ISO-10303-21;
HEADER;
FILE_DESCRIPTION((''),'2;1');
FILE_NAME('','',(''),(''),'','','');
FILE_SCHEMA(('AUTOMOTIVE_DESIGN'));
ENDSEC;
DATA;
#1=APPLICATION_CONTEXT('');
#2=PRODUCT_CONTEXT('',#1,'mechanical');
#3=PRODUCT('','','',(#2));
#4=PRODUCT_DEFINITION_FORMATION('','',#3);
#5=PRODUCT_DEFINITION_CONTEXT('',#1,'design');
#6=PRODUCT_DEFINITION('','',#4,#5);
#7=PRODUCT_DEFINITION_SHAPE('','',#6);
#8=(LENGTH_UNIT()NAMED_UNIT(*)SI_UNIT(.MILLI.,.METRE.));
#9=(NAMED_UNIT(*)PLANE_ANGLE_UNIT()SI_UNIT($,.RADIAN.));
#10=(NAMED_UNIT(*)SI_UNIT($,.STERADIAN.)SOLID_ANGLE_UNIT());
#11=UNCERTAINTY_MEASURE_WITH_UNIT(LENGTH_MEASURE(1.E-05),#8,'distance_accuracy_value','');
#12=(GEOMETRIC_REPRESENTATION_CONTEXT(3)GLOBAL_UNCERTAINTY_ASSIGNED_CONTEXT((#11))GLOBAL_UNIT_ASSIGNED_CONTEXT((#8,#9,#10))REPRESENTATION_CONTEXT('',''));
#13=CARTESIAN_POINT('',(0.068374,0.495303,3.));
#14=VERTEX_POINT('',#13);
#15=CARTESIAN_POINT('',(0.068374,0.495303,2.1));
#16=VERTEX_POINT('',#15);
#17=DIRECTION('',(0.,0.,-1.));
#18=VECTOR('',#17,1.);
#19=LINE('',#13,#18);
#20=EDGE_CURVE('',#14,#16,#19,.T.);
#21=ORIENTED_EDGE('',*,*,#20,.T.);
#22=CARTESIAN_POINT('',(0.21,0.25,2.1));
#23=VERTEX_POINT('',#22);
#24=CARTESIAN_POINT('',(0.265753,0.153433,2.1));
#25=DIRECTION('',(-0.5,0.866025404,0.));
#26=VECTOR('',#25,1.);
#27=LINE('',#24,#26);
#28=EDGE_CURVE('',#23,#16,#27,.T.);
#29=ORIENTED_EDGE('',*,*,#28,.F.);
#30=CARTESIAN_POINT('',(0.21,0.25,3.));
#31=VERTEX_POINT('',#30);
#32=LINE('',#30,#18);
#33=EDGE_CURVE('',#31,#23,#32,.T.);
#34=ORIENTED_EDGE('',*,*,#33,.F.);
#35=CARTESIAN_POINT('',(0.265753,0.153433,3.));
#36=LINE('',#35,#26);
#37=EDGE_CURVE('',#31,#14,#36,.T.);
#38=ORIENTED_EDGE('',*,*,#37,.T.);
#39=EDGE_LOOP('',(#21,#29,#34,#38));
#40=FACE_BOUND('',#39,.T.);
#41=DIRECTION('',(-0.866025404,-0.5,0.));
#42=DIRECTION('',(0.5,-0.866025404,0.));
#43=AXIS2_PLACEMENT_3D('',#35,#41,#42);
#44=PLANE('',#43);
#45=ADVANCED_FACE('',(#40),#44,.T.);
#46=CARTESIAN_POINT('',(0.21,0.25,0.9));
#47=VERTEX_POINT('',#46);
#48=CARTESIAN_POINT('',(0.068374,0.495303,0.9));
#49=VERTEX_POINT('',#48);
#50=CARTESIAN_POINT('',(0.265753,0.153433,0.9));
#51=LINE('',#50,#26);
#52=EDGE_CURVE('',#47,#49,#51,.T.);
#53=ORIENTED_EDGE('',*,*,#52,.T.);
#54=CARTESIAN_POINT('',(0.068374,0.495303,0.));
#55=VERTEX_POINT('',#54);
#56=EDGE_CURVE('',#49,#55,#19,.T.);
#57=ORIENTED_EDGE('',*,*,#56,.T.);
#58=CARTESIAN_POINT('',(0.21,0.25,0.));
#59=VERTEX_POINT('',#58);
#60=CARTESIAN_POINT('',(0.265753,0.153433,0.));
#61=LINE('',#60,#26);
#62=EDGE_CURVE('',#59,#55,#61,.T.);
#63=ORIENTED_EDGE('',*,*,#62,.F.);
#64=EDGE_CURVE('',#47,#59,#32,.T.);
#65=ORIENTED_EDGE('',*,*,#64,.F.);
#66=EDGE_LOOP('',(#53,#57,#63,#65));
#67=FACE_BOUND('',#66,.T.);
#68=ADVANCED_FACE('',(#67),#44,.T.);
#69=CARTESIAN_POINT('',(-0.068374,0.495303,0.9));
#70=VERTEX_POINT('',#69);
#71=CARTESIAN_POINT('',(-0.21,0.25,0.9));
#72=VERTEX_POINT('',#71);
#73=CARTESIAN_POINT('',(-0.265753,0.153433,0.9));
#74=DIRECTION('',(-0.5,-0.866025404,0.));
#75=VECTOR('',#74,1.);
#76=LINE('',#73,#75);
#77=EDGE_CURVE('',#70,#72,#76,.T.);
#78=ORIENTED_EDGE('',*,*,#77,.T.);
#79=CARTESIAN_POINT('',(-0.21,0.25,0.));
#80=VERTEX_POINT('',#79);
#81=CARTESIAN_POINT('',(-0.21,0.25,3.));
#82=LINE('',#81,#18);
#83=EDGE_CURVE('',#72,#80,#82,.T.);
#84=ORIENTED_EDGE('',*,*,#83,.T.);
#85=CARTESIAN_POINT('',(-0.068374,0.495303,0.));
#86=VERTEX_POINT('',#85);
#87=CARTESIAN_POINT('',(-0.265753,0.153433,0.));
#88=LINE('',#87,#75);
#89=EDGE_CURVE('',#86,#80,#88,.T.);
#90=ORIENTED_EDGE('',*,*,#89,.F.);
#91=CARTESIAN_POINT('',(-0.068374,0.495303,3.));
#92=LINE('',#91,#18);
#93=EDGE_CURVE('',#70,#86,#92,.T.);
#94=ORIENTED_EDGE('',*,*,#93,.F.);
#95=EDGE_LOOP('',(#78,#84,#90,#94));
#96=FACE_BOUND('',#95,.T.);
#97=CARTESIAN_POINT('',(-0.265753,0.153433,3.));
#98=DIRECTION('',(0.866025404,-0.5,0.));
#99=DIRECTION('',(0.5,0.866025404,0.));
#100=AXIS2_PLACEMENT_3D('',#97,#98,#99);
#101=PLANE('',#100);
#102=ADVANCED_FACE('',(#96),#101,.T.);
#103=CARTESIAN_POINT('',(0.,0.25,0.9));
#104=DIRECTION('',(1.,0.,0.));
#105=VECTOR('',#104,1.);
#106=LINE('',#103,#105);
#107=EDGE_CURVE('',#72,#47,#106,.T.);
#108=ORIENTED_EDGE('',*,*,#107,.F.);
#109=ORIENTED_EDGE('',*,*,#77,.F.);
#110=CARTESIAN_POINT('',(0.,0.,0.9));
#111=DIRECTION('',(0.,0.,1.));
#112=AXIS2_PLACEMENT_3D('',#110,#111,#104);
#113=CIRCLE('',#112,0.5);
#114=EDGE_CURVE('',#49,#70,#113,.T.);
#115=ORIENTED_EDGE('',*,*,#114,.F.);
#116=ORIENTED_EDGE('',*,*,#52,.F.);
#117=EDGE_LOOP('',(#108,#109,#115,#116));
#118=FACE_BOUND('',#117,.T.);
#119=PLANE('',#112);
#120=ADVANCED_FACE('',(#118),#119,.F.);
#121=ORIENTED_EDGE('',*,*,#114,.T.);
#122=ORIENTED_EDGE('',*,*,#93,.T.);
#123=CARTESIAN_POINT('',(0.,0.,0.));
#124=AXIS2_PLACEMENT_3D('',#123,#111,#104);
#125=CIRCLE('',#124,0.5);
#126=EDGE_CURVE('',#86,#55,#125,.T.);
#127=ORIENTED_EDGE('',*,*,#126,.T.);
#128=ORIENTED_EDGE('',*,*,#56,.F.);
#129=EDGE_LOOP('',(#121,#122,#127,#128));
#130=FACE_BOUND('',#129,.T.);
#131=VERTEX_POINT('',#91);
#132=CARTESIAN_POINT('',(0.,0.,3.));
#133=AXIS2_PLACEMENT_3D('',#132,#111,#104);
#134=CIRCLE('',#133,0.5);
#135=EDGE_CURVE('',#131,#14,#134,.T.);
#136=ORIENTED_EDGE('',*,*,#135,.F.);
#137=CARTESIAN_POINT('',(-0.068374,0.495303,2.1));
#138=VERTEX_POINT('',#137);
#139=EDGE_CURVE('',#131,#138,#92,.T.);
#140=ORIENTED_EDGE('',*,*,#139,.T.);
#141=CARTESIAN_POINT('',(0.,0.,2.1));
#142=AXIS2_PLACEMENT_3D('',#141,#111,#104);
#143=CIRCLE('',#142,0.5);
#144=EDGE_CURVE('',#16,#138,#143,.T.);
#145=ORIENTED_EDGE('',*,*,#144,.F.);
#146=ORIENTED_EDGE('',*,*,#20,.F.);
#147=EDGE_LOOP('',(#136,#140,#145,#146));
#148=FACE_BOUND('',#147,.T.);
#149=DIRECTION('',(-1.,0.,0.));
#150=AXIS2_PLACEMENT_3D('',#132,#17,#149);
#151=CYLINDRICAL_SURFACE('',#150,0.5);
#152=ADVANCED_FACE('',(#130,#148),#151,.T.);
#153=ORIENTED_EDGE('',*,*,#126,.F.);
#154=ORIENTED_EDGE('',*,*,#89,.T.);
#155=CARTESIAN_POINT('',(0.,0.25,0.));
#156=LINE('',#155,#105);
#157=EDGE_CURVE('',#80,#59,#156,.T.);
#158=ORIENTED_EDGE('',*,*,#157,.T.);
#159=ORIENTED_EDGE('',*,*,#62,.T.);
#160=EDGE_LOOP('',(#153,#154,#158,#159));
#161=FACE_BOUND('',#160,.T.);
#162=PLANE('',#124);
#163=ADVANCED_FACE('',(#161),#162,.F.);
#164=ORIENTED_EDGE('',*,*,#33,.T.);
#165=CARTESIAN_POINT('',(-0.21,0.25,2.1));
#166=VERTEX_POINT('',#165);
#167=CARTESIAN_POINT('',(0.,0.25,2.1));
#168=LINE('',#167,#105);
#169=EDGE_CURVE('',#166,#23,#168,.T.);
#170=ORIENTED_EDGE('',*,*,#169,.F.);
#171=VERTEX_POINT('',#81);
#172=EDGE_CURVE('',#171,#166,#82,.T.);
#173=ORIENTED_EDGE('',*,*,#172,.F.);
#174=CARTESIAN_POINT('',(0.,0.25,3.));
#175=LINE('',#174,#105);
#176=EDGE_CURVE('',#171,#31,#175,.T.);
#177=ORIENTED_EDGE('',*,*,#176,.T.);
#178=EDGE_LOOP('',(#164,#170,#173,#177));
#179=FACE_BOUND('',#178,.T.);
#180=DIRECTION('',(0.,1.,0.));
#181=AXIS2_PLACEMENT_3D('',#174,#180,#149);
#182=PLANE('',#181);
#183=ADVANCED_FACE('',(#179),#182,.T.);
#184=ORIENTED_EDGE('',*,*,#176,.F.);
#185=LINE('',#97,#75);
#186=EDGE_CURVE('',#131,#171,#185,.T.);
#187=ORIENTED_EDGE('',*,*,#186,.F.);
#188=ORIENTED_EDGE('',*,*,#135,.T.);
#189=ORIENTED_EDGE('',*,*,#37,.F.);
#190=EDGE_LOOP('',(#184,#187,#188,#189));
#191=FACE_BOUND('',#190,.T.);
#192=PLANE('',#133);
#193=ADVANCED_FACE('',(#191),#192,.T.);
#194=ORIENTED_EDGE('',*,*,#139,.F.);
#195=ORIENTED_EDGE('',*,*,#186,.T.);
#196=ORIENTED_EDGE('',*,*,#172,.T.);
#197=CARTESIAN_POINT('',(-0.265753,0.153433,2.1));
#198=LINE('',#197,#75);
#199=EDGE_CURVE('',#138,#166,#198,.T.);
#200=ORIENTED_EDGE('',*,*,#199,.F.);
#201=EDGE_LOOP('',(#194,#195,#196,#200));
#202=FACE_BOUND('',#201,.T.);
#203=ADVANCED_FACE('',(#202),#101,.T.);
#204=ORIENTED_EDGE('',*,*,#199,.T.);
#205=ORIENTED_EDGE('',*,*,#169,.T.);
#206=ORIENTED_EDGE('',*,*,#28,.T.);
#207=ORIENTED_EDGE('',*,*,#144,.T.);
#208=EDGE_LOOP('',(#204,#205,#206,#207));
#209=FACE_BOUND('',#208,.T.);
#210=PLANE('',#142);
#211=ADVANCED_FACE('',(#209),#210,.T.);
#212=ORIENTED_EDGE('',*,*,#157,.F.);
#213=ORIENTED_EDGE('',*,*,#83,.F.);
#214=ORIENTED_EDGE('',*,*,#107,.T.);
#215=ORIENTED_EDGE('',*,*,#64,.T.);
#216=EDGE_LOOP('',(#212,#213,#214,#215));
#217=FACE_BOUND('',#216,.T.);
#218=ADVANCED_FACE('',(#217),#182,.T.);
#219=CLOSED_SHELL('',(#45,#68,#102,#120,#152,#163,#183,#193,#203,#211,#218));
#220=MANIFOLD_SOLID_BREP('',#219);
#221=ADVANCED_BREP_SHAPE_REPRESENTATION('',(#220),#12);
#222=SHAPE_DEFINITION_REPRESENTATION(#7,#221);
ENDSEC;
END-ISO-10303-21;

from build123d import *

# Parameters (mm, degrees)
BOSS_EXTRUDE1_DEPTH = 3
BOSS_EXTRUDE2_START = 0.9
SKETCH1_7_R         = 0.5
BOSS_EXTRUDE2_DEPTH = 1.2


with BuildPart() as part:
    # Sketch1 → Boss-Extrude1 (new body)
    with BuildSketch(Plane.XY):
        with BuildLine():
            Line((0.21, 0.25), (0, 0.25))
            Line((0, 0.25), (-0.21, 0.25))
            Line((-0.21, 0.25), (-0.06837431, 0.495302891))
            ThreePointArc((-0.06837431, 0.495302891), (-0.32849113, -0.376953018), (0.5, 0))
            ThreePointArc((0.5, 0), (0.376953018, 0.32849113), (0.06837431, 0.495302891))
            Line((0.06837431, 0.495302891), (0.21, 0.25))
        make_face()
    extrude(amount=BOSS_EXTRUDE1_DEPTH)

    # Sketch1<7> → Boss-Extrude2 (add)
    with BuildSketch(Plane.XY.offset(BOSS_EXTRUDE2_START)):
        Circle(SKETCH1_7_R)
    extrude(amount=BOSS_EXTRUDE2_DEPTH)


solid = part.part
